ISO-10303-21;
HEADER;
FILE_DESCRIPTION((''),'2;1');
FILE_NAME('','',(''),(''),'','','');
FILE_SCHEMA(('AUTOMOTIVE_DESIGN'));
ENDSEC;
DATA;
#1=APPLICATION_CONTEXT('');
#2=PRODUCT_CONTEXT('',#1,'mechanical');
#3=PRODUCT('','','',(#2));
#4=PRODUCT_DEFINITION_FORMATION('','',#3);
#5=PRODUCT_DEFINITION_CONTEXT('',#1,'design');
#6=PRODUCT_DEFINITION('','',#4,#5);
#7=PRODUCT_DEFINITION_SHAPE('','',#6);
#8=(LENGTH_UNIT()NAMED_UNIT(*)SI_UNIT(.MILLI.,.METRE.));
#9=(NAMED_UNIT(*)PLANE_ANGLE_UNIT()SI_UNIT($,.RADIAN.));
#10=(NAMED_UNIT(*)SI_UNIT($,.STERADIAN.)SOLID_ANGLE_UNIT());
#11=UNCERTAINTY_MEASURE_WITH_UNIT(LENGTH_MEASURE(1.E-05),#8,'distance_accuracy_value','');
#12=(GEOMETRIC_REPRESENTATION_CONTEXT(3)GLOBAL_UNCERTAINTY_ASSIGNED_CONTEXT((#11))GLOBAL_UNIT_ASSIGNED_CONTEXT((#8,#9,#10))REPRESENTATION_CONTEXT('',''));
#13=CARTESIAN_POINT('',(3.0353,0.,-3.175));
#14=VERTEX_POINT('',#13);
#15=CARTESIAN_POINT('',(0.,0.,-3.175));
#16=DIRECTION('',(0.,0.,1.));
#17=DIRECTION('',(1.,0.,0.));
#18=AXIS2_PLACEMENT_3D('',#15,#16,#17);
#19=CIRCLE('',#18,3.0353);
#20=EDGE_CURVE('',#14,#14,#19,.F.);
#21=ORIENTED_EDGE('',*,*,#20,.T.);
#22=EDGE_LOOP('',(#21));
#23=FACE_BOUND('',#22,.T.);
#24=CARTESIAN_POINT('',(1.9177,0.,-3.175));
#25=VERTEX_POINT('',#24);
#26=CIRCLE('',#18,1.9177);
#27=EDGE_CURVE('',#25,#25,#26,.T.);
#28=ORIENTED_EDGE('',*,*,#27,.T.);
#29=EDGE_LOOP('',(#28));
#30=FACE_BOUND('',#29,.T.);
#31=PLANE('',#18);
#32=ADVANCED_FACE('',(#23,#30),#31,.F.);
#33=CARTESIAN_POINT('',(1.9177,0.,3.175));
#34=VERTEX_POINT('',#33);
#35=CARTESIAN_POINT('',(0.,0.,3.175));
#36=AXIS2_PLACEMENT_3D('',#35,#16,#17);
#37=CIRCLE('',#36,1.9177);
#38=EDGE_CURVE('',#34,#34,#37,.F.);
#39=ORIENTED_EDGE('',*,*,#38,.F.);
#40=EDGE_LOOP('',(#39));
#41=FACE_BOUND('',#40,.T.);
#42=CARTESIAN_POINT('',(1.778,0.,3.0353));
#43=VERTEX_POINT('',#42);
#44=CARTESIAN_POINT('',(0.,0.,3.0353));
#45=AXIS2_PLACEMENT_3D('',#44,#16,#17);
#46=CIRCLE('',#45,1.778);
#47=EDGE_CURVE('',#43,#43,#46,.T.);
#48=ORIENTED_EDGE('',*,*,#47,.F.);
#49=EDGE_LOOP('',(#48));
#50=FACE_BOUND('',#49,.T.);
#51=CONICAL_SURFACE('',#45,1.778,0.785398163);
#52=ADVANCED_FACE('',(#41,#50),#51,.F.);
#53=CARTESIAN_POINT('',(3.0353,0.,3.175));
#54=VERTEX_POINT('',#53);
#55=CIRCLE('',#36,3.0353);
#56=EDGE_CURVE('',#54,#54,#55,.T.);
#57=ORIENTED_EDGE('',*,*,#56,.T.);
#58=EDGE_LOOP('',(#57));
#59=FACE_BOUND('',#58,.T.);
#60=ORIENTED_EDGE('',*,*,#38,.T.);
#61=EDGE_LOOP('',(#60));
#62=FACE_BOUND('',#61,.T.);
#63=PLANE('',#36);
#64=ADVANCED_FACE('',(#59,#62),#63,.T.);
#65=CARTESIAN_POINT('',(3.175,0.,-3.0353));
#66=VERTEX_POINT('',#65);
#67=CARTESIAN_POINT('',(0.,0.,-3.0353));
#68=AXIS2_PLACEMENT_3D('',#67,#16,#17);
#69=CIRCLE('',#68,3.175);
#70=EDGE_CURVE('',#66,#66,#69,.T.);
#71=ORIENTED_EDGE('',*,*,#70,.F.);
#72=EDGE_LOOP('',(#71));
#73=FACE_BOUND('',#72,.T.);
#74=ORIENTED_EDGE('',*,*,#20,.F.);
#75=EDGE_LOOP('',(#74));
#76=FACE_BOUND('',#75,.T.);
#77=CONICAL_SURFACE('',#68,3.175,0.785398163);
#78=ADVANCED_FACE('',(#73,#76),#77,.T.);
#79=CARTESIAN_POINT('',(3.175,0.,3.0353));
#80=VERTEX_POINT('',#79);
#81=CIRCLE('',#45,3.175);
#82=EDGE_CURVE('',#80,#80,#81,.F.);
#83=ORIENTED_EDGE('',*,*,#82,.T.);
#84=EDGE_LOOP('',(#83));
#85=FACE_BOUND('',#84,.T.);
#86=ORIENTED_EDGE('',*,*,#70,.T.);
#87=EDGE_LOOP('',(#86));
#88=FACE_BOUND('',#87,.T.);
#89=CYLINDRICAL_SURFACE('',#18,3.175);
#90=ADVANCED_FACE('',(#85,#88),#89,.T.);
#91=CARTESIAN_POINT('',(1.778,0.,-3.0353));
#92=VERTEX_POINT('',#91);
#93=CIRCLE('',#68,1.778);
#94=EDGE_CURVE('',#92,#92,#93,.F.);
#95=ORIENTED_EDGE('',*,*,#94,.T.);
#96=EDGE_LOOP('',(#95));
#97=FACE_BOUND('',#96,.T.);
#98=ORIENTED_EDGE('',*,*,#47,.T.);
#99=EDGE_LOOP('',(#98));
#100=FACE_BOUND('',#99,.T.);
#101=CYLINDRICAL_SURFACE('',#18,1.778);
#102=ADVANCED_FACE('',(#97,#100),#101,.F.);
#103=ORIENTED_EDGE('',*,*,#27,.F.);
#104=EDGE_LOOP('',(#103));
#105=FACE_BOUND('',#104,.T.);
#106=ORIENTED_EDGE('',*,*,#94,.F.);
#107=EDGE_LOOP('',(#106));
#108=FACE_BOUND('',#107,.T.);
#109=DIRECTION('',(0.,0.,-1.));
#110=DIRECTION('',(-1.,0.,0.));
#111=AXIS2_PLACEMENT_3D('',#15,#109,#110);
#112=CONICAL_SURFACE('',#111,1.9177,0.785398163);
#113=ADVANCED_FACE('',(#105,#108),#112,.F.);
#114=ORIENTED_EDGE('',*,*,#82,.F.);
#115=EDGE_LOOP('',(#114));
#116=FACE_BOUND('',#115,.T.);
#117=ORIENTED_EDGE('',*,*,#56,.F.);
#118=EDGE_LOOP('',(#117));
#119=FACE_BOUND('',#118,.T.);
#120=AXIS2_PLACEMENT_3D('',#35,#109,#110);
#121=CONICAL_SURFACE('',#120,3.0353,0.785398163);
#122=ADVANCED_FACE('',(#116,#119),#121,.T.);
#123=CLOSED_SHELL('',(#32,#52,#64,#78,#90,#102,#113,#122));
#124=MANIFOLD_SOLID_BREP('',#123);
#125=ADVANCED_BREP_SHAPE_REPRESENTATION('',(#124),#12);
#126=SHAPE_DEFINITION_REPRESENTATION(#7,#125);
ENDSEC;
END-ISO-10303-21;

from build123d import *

# Parameters (mm, degrees)
BOSS_EXTRUDE1_DEPTH      = 3.175
BOSS_EXTRUDE1_DEPTH_BACK = 3.175
SKETCH3_R                = 3.175
SKETCH3_R_2              = 1.778
CHAMFER1_SIZE            = 0.1397


with BuildPart() as part:
    # Sketch3 → Boss-Extrude1 (new, two sides: drawn at the far end of the back side and taken through both)
    with BuildSketch(Plane.XY.offset(-BOSS_EXTRUDE1_DEPTH_BACK)):
        Circle(SKETCH3_R)
        Circle(SKETCH3_R_2, mode=Mode.SUBTRACT)
    extrude(amount=BOSS_EXTRUDE1_DEPTH + BOSS_EXTRUDE1_DEPTH_BACK)

    # Chamfer1
    chamfer1_edges = [part.edges().sort_by_distance(p)[0] for p in [
        (-3.175, 0, -3.175),
        (-1.778, 0, -3.175),
        (-3.175, 0, 3.175),
        (-1.778, 0, 3.175),
    ]]
    chamfer(chamfer1_edges, length=CHAMFER1_SIZE)


solid = part.part
